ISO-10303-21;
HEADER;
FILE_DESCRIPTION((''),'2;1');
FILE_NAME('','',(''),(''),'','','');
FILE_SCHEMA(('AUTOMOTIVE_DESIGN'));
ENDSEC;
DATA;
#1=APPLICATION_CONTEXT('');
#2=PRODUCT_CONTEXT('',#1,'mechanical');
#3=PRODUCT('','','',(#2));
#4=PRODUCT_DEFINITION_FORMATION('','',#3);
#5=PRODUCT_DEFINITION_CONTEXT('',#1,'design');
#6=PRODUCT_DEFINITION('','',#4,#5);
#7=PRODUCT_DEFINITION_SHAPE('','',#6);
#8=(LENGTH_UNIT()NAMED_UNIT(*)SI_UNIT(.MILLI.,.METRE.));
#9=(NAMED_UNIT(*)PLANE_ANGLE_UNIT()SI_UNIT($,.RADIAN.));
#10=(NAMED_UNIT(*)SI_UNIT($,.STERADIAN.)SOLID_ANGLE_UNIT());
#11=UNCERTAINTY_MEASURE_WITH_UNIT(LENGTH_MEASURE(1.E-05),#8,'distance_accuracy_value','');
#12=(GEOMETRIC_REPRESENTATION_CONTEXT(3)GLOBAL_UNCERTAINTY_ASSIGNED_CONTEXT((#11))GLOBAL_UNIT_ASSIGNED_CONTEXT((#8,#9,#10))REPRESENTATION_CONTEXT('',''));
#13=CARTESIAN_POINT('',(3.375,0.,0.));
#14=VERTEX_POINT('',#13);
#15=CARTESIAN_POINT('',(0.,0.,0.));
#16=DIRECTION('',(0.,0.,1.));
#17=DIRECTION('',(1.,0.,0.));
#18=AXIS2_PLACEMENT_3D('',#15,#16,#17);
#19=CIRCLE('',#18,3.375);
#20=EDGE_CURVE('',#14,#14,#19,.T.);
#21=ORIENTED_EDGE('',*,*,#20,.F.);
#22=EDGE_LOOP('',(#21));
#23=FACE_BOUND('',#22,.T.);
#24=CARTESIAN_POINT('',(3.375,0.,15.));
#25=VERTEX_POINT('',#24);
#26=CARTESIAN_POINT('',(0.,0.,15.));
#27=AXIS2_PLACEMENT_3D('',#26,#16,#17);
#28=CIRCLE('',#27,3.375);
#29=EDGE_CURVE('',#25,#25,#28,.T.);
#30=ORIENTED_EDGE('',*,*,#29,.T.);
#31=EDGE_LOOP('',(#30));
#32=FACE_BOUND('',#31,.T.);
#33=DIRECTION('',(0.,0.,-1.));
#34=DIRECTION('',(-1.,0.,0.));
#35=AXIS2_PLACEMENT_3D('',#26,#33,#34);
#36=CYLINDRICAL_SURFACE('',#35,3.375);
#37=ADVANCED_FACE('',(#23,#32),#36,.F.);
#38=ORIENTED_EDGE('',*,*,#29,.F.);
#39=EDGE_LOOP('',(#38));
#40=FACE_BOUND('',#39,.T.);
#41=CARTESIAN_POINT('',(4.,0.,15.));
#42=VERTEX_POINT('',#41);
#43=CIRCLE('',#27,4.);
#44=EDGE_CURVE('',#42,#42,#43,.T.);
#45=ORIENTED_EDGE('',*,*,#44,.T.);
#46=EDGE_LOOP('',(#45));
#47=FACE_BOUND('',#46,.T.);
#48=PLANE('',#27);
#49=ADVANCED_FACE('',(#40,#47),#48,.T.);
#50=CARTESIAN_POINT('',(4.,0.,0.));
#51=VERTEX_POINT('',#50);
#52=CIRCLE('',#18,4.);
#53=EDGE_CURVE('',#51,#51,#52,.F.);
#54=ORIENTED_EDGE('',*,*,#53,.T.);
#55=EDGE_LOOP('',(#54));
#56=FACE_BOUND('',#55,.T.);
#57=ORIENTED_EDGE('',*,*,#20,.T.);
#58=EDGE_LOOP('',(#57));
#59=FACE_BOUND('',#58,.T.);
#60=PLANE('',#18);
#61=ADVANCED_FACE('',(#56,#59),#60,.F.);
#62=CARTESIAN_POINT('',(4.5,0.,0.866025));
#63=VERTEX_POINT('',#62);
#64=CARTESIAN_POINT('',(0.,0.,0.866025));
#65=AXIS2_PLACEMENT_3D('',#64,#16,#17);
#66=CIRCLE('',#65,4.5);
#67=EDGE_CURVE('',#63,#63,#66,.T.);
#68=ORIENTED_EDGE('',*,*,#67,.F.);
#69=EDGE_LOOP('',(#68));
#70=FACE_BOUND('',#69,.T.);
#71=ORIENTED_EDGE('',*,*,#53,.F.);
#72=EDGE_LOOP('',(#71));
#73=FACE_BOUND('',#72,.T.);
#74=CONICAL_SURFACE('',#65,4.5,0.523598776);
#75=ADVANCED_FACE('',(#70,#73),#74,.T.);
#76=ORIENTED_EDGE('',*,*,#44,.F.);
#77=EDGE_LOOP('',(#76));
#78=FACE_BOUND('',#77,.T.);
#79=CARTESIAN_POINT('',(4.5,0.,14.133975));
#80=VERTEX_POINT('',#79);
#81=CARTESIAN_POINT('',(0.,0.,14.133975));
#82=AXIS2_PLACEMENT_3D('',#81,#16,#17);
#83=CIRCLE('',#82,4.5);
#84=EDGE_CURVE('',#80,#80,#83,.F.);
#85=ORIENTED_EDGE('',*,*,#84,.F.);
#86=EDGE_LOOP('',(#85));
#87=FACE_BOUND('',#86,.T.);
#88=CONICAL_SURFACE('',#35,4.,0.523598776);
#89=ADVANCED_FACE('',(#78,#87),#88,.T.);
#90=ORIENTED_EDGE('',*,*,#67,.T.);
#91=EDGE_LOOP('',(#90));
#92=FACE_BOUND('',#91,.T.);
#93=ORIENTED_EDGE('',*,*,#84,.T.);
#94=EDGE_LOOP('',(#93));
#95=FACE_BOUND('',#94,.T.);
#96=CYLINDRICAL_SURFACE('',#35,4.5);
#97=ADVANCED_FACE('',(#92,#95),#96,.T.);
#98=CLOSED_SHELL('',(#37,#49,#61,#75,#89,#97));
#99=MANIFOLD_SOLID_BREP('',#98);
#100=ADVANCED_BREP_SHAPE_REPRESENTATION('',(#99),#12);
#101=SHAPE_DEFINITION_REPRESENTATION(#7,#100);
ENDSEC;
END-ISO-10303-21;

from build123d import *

# Parameters (mm, degrees)
SKETCH1_R             = 4.5
SKETCH1_R_2           = 3.375
BOSS_EXTRUDE1_DEPTH   = 15
CHAMFER1_SIZE         = 0.5
CHAMFER1_SIZE2        = 0.866025404
CHAMFER1_PART_2_SIZE  = 0.5
CHAMFER1_PART_2_SIZE2 = 0.866025404


with BuildPart() as part:
    # Sketch1 → Boss-Extrude1 (new body)
    with BuildSketch(Plane.XY):
        Circle(SKETCH1_R)
        Circle(SKETCH1_R_2, mode=Mode.SUBTRACT)
    extrude(amount=BOSS_EXTRUDE1_DEPTH)

    # Chamfer1
    chamfer1_edges = [part.edges().sort_by_distance(p)[0] for p in [
        (-4.5, 0, 0),
    ]]
    chamfer1_side = [part.faces().sort_by_distance(p)[0] for p in [
        (-4.372720779, 0, 0),
    ]]
    chamfer(chamfer1_edges, length=CHAMFER1_SIZE, length2=CHAMFER1_SIZE2, reference=chamfer1_side[0])

    # Chamfer1 part 2
    chamfer1_part_2_edges = [part.edges().sort_by_distance(p)[0] for p in [
        (-4.5, 0, 15),
    ]]
    chamfer1_part_2_side = [part.faces().sort_by_distance(p)[0] for p in [
        (-4.372720779, 0, 15),
    ]]
    chamfer(chamfer1_part_2_edges, length=CHAMFER1_PART_2_SIZE, length2=CHAMFER1_PART_2_SIZE2, reference=chamfer1_part_2_side[0])


solid = part.part
